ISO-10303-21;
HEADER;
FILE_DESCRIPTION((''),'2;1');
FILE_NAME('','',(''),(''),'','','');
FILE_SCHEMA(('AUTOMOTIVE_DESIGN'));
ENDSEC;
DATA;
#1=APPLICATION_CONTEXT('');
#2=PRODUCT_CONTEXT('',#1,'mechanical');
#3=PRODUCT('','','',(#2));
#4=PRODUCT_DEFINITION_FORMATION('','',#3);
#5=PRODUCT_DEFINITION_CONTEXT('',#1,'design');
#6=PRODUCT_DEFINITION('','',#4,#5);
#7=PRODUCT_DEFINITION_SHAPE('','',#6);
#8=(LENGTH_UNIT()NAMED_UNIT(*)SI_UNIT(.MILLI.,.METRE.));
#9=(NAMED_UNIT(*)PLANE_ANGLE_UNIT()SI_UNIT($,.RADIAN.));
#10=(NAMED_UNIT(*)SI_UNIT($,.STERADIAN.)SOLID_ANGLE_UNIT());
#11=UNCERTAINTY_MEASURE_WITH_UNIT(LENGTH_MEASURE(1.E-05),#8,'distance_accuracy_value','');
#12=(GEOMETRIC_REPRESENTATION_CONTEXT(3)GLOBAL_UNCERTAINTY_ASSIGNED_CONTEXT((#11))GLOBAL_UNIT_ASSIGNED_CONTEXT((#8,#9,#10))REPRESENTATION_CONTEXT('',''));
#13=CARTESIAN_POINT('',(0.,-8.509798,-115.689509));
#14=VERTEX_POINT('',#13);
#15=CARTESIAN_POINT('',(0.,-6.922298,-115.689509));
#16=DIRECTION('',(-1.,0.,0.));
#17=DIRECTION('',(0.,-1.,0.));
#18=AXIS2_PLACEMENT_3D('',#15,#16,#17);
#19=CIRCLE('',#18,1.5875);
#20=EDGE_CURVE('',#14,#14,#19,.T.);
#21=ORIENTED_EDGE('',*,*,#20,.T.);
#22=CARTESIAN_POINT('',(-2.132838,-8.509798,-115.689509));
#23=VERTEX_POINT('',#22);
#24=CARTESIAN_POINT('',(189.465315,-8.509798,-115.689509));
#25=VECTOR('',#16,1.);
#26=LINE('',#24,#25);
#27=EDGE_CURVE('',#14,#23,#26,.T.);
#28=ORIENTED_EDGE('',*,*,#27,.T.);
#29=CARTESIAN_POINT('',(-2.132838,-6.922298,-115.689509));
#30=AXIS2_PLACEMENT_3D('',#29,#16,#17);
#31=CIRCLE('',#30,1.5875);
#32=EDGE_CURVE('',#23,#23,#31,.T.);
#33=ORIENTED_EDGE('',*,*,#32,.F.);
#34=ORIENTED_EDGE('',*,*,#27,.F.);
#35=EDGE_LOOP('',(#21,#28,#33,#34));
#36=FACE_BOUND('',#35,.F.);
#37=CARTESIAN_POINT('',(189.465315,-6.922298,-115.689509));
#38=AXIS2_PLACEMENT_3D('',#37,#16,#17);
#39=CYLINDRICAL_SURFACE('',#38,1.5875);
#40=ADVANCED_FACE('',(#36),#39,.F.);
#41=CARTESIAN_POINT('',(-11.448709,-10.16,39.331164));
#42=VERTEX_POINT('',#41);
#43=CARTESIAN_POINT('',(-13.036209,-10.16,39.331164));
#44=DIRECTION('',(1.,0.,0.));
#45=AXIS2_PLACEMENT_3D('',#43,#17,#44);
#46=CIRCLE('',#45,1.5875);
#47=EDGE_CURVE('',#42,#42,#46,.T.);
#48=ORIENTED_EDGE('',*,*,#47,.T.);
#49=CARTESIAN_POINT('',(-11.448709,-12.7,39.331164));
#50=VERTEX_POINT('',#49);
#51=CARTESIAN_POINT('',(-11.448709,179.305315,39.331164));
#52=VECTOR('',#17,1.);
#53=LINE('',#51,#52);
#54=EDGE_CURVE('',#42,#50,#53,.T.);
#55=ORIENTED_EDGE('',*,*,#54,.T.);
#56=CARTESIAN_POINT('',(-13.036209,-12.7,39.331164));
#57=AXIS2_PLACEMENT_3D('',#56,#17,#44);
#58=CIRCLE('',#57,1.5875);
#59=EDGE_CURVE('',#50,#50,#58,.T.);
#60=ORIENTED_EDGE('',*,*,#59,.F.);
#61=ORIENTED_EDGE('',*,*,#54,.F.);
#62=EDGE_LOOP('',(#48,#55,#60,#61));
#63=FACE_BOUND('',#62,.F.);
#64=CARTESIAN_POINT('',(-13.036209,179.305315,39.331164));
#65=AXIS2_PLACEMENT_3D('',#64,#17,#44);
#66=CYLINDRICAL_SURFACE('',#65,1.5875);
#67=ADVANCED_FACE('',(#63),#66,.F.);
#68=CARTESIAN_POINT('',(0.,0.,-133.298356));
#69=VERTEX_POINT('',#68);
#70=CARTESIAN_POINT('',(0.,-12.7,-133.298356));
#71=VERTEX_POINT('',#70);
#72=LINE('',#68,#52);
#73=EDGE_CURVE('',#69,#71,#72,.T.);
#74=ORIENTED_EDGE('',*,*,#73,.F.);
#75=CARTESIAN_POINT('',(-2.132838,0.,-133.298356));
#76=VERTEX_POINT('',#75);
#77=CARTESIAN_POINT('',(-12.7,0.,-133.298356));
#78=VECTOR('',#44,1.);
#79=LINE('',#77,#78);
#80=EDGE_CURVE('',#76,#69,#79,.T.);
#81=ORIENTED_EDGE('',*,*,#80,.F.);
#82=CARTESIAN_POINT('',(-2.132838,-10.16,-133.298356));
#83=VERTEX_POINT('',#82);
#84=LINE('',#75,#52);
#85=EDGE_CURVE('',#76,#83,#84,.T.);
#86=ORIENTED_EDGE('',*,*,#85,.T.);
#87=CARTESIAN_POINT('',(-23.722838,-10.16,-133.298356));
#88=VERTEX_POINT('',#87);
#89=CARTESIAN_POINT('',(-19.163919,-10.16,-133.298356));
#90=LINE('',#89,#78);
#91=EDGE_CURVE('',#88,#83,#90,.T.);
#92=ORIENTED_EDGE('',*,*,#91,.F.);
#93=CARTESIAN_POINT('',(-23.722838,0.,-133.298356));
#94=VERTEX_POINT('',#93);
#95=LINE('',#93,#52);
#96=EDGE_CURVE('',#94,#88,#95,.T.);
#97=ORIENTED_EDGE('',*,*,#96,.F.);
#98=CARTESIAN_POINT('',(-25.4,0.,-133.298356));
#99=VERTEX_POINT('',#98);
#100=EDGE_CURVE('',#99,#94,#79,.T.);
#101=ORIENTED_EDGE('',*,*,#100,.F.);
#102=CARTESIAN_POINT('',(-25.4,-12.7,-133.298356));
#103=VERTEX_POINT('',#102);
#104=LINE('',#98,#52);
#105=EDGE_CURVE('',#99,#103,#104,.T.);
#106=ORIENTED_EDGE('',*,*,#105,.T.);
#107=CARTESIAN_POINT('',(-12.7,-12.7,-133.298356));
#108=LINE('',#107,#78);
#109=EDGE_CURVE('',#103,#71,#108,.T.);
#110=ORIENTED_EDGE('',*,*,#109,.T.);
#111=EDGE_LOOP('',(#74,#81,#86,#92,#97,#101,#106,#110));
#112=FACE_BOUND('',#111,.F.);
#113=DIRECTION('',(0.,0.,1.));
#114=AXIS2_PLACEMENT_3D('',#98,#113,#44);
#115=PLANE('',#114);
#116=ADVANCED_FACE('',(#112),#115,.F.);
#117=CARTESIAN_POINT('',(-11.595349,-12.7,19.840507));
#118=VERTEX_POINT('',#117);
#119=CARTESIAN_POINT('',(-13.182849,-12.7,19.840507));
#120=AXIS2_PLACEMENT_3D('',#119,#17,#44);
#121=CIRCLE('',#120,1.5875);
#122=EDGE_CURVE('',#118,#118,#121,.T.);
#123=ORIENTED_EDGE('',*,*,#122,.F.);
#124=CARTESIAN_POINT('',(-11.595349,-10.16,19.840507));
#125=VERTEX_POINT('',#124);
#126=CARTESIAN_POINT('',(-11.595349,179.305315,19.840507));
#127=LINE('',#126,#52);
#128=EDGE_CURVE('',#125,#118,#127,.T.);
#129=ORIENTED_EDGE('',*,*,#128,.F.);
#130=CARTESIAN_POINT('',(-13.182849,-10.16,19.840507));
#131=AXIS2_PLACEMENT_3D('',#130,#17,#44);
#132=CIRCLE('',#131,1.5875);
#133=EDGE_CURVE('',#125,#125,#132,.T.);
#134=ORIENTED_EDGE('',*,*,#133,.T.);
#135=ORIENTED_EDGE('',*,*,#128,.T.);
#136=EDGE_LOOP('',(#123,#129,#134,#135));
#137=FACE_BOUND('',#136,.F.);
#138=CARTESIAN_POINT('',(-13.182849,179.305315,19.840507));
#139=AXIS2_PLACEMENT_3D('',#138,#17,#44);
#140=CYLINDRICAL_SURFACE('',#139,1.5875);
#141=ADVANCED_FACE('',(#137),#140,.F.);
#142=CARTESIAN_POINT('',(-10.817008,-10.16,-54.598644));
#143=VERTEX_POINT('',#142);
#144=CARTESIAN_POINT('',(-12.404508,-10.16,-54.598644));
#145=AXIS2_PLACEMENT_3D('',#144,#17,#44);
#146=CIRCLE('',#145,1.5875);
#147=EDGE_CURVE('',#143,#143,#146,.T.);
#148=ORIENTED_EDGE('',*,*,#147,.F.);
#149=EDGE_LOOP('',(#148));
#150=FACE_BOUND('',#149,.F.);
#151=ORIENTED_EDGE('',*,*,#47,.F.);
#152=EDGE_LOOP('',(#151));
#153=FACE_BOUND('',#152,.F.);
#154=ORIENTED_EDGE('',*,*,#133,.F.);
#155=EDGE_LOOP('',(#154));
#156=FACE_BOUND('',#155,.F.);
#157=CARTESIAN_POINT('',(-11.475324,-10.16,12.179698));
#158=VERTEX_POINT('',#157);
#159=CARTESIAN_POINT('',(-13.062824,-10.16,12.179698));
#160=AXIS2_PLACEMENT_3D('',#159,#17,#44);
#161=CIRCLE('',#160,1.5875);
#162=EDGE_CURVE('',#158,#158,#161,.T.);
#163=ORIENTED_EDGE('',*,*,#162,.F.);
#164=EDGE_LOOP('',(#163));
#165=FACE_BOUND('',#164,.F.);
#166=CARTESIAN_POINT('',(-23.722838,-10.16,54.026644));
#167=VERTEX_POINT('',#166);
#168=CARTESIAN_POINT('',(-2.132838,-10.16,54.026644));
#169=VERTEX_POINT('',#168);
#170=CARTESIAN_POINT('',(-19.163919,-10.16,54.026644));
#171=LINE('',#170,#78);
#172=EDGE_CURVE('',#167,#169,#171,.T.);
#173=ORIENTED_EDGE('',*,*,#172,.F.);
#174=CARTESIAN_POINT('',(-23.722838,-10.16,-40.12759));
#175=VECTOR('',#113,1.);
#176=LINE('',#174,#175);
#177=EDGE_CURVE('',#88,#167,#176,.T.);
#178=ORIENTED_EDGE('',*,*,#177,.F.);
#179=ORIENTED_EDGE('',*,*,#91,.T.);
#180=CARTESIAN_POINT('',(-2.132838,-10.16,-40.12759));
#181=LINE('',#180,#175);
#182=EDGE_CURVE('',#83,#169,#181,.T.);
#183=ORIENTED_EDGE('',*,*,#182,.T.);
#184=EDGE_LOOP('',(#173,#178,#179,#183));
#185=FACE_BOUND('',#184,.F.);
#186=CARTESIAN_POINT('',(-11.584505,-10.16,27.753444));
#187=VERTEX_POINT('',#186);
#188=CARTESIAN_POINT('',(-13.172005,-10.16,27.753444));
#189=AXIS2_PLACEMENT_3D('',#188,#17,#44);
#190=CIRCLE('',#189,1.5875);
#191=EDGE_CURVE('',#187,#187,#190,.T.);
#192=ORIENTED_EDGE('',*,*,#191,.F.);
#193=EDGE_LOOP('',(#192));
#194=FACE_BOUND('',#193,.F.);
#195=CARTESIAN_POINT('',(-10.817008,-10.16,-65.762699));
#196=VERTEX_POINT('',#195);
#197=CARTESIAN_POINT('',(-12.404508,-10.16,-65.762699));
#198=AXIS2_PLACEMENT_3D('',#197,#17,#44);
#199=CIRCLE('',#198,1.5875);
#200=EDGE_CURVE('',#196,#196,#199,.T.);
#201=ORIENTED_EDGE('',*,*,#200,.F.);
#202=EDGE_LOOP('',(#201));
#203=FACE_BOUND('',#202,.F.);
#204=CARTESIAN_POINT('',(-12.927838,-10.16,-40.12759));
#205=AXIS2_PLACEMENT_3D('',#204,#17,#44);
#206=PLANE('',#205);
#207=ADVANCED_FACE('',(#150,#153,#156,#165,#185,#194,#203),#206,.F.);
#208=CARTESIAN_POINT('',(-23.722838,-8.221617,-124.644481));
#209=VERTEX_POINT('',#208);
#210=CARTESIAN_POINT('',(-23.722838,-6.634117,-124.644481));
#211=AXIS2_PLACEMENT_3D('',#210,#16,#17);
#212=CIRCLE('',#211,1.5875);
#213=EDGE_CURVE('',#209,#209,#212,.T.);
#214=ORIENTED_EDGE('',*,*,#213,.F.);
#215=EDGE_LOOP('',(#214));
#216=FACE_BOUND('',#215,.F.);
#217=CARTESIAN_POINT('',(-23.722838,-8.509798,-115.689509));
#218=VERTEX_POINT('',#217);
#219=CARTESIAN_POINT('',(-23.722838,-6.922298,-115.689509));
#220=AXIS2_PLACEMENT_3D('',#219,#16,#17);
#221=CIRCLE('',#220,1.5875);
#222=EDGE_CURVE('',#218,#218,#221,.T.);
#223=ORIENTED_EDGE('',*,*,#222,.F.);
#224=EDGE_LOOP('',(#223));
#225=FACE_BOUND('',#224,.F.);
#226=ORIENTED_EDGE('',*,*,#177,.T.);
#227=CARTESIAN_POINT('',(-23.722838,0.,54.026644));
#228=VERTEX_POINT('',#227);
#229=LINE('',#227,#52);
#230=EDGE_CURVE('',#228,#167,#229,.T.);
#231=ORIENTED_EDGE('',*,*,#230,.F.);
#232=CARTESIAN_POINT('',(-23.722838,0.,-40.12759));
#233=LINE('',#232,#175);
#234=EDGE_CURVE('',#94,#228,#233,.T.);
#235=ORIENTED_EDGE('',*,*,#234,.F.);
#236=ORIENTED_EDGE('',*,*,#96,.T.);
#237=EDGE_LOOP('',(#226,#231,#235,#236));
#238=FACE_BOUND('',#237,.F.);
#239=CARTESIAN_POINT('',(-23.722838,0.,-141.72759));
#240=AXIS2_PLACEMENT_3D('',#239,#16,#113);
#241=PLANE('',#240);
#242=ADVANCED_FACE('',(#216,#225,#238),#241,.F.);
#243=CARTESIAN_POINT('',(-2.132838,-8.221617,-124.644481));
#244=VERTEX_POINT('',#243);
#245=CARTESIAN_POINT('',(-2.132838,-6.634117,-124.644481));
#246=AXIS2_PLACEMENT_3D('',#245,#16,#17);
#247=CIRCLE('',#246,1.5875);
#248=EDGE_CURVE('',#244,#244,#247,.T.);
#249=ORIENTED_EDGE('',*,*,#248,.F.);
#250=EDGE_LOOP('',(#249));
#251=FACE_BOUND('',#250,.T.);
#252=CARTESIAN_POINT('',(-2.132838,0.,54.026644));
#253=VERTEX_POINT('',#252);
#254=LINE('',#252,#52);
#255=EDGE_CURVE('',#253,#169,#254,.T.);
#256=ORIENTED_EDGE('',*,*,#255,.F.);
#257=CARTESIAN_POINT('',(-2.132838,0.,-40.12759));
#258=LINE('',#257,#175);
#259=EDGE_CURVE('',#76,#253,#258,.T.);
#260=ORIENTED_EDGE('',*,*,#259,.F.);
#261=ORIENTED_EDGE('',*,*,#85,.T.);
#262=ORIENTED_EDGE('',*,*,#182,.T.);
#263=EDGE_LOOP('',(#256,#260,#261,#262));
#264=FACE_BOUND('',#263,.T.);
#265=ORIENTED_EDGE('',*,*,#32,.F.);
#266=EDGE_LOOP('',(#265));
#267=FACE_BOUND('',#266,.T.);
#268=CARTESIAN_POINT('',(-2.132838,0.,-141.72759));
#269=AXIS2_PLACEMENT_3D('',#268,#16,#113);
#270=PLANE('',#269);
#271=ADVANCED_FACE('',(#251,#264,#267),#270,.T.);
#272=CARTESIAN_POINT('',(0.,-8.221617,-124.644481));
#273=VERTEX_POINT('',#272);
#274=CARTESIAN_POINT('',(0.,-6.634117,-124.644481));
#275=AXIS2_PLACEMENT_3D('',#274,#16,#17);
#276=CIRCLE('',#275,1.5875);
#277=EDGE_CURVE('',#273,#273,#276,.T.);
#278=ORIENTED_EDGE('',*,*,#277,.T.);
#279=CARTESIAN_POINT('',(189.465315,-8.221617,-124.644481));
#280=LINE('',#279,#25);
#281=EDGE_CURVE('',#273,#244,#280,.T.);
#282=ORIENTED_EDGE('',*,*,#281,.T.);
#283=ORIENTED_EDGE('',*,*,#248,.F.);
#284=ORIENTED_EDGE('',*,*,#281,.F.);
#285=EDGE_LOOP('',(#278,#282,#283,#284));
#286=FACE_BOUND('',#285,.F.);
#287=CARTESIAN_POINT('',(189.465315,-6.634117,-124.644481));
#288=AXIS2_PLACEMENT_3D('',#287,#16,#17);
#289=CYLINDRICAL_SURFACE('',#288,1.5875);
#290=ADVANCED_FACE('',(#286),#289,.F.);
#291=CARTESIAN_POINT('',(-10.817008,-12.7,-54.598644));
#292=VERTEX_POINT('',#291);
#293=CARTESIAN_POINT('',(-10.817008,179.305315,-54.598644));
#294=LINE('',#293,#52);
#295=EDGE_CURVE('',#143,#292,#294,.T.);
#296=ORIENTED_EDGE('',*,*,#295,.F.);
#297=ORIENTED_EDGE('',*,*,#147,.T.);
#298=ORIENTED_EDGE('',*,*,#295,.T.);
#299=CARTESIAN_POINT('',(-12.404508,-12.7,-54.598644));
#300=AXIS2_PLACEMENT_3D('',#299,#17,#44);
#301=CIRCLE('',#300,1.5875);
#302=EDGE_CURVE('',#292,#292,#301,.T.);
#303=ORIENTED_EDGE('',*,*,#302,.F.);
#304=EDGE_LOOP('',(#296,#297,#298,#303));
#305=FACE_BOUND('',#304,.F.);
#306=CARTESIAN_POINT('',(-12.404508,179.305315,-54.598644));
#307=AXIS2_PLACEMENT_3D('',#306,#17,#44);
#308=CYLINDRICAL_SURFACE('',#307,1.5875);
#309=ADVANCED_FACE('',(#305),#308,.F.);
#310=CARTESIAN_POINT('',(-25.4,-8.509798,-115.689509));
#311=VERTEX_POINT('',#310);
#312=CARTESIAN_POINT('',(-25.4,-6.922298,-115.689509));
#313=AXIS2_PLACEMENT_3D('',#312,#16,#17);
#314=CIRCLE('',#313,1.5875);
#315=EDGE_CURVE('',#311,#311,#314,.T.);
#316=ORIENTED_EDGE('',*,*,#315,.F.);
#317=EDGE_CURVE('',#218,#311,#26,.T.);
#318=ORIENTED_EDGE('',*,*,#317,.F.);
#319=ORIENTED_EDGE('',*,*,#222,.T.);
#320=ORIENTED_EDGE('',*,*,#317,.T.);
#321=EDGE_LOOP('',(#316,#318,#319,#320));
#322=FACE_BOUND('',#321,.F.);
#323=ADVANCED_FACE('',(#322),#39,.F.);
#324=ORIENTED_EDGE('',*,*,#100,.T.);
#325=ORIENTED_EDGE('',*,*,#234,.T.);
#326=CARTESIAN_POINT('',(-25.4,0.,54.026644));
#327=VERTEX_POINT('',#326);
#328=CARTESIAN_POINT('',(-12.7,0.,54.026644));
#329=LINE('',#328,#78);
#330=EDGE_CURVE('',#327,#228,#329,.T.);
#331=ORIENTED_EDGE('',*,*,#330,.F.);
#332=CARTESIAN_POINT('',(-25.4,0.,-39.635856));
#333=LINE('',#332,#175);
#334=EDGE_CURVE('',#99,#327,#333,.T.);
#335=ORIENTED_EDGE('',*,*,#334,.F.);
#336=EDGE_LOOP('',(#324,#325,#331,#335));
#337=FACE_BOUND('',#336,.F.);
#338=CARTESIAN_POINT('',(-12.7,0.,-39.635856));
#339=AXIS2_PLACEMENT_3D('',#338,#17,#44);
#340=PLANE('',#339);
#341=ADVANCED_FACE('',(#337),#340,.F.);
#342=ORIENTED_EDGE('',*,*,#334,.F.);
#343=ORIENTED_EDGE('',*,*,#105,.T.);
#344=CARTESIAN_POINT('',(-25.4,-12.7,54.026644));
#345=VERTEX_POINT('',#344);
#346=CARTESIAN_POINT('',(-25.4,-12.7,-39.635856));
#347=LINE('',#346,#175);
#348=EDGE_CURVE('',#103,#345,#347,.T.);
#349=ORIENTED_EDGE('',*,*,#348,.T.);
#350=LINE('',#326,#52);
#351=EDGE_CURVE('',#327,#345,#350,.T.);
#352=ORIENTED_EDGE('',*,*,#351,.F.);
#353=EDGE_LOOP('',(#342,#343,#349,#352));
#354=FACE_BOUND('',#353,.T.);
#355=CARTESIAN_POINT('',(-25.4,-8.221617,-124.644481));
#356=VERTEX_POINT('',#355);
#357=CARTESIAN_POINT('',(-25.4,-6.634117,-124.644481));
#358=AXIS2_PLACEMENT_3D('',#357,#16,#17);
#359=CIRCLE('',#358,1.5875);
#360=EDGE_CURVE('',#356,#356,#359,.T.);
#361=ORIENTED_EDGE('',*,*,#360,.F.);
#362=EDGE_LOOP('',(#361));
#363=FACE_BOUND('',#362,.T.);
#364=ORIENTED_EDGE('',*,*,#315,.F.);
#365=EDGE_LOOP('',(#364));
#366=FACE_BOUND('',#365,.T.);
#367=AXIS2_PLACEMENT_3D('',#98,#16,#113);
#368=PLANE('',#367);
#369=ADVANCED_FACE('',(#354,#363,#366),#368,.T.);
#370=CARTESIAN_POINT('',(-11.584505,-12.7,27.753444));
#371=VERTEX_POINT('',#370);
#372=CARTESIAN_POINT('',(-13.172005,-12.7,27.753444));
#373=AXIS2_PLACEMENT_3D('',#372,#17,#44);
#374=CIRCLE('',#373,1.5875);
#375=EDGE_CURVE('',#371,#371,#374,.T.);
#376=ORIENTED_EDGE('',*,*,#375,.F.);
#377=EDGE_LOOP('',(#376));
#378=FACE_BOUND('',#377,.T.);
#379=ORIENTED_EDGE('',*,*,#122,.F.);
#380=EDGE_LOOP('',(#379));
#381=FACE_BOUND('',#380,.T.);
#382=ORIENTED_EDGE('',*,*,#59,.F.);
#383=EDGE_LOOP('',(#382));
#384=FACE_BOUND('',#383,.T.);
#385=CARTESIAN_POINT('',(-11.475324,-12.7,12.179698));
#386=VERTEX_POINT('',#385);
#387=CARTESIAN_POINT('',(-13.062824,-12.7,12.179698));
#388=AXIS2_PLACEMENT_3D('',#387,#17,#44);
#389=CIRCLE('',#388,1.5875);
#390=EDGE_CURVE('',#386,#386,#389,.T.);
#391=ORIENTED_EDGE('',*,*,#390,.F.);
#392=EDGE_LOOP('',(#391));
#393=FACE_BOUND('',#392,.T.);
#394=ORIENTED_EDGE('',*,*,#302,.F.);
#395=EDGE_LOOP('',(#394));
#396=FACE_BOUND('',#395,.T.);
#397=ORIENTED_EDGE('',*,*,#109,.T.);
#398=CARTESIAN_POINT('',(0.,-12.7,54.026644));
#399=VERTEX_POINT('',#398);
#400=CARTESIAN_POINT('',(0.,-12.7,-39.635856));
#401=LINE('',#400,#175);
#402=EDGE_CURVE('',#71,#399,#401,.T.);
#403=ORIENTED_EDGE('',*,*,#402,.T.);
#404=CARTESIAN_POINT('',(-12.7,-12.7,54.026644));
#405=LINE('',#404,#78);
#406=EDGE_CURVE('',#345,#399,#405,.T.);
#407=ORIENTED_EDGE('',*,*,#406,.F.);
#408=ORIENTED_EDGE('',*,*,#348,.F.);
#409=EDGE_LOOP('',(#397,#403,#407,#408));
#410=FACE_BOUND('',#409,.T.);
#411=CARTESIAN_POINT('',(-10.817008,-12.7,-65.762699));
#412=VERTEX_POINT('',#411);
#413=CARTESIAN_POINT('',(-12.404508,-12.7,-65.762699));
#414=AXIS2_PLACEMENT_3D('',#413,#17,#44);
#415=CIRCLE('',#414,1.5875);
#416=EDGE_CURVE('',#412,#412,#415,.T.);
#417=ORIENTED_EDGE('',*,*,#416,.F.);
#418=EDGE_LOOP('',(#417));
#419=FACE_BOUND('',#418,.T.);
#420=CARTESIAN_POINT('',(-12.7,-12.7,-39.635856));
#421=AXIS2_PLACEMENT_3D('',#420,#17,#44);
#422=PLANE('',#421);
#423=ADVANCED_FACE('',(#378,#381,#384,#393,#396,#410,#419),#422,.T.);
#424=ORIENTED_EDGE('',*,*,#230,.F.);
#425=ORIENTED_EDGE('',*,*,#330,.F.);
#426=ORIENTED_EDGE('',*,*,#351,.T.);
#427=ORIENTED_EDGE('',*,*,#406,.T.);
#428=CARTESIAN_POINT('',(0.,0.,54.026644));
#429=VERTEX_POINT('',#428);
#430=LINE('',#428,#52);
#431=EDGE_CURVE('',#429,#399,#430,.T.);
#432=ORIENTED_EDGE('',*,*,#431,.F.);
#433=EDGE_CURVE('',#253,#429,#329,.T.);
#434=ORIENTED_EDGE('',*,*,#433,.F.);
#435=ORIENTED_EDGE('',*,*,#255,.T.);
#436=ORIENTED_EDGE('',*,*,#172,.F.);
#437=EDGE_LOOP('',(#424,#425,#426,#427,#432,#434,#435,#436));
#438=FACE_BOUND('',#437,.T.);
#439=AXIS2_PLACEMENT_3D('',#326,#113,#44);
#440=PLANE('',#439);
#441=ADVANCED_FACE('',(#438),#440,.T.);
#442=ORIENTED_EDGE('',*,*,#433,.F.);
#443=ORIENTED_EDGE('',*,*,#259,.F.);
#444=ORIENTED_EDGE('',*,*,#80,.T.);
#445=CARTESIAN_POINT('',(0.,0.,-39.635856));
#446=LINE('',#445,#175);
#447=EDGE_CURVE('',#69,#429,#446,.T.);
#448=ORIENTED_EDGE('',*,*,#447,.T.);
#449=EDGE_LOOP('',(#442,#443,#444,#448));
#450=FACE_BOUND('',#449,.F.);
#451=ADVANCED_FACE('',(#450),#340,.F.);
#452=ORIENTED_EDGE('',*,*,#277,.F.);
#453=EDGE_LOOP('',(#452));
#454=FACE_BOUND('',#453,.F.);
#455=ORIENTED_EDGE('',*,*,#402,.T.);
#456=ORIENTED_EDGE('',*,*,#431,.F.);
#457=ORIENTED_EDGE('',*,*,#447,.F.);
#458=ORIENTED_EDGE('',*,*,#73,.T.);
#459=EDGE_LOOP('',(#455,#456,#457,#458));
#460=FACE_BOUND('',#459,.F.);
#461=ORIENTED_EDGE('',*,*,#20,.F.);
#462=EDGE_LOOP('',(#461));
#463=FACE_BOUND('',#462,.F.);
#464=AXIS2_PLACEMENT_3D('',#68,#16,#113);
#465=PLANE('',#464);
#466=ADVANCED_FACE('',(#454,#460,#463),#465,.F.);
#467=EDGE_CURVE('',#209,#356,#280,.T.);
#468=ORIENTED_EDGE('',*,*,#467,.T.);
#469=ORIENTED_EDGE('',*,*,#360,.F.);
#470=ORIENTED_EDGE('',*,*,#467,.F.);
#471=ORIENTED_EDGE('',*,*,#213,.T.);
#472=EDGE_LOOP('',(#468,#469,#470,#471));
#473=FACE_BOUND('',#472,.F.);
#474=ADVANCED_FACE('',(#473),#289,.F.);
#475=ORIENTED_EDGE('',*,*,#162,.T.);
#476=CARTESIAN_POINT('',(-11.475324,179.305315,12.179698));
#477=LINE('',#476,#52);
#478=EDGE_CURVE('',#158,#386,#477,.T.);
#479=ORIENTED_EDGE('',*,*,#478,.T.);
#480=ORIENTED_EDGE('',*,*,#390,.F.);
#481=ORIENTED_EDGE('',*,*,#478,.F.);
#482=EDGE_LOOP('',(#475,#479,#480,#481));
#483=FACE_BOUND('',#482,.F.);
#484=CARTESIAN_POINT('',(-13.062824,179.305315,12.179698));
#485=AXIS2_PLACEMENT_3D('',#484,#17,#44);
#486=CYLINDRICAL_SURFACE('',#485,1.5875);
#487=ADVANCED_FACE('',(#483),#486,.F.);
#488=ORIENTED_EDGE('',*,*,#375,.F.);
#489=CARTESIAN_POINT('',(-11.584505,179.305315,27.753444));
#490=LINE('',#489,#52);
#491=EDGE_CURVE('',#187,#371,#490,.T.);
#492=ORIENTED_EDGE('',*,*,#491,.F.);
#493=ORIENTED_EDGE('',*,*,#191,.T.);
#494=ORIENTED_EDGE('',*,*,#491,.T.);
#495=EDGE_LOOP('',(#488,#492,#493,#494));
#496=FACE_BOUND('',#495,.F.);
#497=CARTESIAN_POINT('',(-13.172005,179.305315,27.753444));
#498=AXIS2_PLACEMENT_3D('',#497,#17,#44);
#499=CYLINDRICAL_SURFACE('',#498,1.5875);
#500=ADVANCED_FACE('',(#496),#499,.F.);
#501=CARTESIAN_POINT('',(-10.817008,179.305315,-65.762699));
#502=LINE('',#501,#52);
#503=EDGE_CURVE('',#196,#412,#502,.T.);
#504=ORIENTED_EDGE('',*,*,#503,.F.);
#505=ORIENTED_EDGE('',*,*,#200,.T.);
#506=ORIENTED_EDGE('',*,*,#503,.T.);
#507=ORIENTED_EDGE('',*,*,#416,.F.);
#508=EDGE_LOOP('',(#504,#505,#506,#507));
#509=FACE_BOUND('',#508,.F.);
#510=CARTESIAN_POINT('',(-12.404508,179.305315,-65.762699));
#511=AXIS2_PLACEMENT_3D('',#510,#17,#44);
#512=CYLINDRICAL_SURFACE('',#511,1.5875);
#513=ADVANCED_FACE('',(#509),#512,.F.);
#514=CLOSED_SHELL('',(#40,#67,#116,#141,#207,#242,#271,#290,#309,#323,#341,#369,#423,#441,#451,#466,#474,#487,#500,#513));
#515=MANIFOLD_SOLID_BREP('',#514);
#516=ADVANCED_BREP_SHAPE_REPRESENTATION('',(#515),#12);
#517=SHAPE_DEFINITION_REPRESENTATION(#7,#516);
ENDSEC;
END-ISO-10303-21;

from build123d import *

# Parameters (mm, degrees)
F0_W     = 25.4
F0_H     = 187.325
F1_DEPTH = 12.7
F2_W     = 21.59
F2_H     = 203.2
F3_DEPTH = 10.16
F5_D     = 3.175
F7_D     = 3.175
F9_D     = 3.175
F11_D    = 3.175
F13_D    = 3.175
F15_D    = 3.175
F17_D    = 3.175
F19_D    = 3.175


with BuildPart() as f1:
    # F0 (on Front) → F1 (new body)
    with BuildSketch(Plane.XZ):
        with Locations((-12.7, -39.635856)):
            Rectangle(F0_W, F0_H)
    extrude(amount=F1_DEPTH)

    # F2 (on Front) → F3 (cut)
    with BuildSketch(Plane.XZ):
        with Locations((-12.927838, -40.12759)):
            Rectangle(F2_W, F2_H)
    extrude(amount=F3_DEPTH, mode=Mode.SUBTRACT)

    # F5 (through all)
    with Locations(Plane.YZ):
        with Locations((-6.634117, -124.644481)):
            Hole(F5_D / 2)

    # F7 (through all)
    with Locations(Plane.YZ):
        with Locations((-6.922298, -115.689509)):
            Hole(F7_D / 2)

    # F9 (through all)
    with Locations(Plane(origin=(0, -10.16, 0), x_dir=(-1, 0, 0), z_dir=(0, 1, 0))):
        with Locations((13.036209, 39.331164)):
            Hole(F9_D / 2)

    # F11 (through all)
    with Locations(Plane(origin=(0, -10.16, 0), x_dir=(-1, 0, 0), z_dir=(0, 1, 0))):
        with Locations((13.172005, 27.753444)):
            Hole(F11_D / 2)

    # F13 (through all)
    with Locations(Plane(origin=(0, -10.16, 0), x_dir=(-1, 0, 0), z_dir=(0, 1, 0))):
        with Locations((13.182849, 19.840507)):
            Hole(F13_D / 2)

    # F15 (through all)
    with Locations(Plane(origin=(0, -10.16, 0), x_dir=(-1, 0, 0), z_dir=(0, 1, 0))):
        with Locations((13.062824, 12.179698)):
            Hole(F15_D / 2)

    # F17 (through all)
    with Locations(Plane(origin=(0, -10.16, 0), x_dir=(-1, 0, 0), z_dir=(0, 1, 0))):
        with Locations((12.404508, -54.598644)):
            Hole(F17_D / 2)

    # F19 (through all)
    with Locations(Plane(origin=(0, -10.16, 0), x_dir=(-1, 0, 0), z_dir=(0, 1, 0))):
        with Locations((12.404508, -65.762699)):
            Hole(F19_D / 2)


solid = f1.part
